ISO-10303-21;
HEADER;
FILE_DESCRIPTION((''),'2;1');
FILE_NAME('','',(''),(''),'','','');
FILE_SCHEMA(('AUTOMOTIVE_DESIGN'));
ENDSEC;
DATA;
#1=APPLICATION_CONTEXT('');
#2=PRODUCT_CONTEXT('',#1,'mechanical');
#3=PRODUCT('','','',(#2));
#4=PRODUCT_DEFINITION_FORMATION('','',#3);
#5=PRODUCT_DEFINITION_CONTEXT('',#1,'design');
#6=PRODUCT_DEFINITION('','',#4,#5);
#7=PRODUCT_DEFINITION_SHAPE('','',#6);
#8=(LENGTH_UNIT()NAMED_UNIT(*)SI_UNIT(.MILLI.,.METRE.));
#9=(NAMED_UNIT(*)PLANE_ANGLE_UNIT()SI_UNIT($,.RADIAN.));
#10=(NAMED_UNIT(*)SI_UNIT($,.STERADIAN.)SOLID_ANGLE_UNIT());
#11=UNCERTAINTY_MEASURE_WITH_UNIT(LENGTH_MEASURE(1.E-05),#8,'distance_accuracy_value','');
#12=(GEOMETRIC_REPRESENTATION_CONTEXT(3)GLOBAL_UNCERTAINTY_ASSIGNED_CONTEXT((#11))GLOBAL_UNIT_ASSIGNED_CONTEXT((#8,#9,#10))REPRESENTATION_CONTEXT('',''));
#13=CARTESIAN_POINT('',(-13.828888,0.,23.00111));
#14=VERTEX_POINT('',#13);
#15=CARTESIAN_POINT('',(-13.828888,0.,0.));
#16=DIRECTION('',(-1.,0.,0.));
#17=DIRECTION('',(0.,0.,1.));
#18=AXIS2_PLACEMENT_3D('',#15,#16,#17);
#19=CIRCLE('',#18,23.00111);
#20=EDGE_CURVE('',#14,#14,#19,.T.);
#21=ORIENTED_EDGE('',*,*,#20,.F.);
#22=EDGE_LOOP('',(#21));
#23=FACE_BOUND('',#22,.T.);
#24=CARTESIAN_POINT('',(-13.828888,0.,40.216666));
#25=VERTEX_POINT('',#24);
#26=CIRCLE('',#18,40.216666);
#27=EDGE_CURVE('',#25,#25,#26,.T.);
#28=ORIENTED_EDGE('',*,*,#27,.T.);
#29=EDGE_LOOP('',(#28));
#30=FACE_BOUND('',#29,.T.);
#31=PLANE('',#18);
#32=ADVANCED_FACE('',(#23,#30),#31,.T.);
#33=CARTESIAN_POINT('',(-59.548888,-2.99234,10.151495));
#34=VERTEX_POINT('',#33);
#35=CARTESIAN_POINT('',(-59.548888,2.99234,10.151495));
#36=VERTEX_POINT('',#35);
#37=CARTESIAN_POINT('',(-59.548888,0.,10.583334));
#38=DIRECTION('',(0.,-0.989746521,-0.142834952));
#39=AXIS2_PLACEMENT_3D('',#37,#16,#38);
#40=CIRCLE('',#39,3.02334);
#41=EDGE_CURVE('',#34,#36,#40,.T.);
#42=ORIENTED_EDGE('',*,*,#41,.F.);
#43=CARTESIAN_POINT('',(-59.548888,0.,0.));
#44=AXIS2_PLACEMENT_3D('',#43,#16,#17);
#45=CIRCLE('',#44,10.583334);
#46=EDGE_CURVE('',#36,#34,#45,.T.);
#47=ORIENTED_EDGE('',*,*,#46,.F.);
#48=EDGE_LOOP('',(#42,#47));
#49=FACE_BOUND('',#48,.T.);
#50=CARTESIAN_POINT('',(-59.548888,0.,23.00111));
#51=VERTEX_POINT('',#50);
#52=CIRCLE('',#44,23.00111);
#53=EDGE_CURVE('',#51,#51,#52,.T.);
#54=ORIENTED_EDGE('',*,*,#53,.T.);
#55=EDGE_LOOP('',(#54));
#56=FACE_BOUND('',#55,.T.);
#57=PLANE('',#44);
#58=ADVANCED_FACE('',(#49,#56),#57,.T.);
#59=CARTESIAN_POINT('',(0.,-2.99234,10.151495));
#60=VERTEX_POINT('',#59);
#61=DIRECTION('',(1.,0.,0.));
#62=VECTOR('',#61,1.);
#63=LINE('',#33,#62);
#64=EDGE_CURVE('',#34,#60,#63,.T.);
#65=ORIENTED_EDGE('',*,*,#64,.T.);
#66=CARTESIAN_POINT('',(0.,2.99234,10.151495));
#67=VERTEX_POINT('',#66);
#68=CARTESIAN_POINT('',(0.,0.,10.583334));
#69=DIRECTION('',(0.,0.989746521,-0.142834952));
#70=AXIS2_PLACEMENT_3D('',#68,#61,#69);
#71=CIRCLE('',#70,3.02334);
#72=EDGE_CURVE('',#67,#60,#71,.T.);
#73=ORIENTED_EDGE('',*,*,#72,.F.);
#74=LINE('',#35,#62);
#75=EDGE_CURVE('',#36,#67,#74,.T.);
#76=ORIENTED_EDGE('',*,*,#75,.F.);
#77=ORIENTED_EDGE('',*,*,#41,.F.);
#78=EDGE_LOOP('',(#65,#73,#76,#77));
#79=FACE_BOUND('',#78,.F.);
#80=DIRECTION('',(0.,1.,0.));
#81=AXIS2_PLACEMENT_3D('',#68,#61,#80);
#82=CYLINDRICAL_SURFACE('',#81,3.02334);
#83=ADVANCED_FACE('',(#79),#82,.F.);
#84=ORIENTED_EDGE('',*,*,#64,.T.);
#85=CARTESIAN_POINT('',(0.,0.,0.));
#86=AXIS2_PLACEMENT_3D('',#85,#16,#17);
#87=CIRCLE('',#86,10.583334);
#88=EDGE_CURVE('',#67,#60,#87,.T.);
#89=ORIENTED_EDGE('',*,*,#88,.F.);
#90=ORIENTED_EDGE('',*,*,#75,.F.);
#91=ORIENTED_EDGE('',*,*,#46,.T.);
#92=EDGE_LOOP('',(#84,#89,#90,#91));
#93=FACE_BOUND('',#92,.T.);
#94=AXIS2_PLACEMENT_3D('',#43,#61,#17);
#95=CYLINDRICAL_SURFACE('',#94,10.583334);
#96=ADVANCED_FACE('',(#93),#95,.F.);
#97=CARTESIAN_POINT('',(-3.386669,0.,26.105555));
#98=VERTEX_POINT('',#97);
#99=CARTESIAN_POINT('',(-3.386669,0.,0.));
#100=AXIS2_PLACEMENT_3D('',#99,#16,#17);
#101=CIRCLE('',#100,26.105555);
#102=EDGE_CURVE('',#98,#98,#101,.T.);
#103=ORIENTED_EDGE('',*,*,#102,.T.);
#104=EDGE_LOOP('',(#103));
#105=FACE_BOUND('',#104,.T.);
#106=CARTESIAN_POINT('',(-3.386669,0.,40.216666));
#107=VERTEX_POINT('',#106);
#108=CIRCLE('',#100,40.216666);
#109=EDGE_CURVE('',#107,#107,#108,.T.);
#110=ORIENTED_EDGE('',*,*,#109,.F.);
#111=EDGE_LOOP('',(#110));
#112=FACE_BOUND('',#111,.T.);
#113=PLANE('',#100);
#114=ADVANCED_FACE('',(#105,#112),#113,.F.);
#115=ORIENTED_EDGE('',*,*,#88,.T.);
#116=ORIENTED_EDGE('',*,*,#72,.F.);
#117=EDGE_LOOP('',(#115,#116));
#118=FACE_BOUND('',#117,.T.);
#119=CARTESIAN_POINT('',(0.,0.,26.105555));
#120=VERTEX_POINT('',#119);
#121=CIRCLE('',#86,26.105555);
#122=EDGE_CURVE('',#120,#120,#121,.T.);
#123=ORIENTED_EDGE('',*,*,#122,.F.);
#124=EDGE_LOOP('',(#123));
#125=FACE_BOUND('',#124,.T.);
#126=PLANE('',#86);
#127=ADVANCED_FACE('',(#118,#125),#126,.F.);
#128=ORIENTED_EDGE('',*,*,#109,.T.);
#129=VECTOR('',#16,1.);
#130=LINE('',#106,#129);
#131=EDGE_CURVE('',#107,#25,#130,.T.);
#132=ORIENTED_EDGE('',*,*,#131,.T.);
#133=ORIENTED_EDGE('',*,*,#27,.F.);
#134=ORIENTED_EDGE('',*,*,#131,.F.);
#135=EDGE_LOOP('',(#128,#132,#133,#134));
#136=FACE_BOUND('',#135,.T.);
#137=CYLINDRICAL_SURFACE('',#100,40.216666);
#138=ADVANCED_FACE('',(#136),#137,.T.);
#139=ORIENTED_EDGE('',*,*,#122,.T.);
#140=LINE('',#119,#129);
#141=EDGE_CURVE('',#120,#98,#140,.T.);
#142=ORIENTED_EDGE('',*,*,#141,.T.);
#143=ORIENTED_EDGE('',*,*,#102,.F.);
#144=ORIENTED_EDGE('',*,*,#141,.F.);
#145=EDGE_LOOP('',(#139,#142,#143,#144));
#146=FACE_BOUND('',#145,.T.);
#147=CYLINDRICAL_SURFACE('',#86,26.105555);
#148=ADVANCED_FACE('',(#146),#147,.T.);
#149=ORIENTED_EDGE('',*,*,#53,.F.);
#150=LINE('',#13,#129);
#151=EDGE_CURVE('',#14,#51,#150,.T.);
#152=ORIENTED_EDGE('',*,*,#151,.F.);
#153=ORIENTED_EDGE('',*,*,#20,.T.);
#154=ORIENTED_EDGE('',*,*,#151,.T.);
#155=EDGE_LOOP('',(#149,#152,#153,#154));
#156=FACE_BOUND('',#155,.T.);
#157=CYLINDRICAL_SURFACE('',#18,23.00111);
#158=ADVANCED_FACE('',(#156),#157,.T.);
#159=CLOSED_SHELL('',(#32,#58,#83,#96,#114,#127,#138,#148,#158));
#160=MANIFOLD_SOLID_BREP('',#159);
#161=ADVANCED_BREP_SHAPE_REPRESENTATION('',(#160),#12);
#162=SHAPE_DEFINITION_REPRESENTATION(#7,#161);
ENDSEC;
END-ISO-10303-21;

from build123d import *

# Parameters (mm, degrees)
F2_R     = 3.02334
F3_DEPTH = 59.549888


with BuildPart() as f1:
    # F0 (on Front) → F1 (revolve)
    with BuildSketch(Plane.XZ):
        Polygon((-59.548888, 10.583334), (0, 10.583334), (0, 26.105555), (-3.386669, 26.105555), (-3.386669, 40.216666), (-13.828888, 40.216666), (-13.828888, 23.00111), (-59.548888, 23.00111), align=None)
    revolve(axis=Axis((-68.222322, 0, 0), (-1, 0, 0)))

    # F2 (on face) → F3 (cut, through all)
    with BuildSketch(Plane.YZ):
        with Locations((0, 10.583334)):
            Circle(F2_R)
    extrude(amount=-F3_DEPTH, mode=Mode.SUBTRACT)


solid = f1.part
